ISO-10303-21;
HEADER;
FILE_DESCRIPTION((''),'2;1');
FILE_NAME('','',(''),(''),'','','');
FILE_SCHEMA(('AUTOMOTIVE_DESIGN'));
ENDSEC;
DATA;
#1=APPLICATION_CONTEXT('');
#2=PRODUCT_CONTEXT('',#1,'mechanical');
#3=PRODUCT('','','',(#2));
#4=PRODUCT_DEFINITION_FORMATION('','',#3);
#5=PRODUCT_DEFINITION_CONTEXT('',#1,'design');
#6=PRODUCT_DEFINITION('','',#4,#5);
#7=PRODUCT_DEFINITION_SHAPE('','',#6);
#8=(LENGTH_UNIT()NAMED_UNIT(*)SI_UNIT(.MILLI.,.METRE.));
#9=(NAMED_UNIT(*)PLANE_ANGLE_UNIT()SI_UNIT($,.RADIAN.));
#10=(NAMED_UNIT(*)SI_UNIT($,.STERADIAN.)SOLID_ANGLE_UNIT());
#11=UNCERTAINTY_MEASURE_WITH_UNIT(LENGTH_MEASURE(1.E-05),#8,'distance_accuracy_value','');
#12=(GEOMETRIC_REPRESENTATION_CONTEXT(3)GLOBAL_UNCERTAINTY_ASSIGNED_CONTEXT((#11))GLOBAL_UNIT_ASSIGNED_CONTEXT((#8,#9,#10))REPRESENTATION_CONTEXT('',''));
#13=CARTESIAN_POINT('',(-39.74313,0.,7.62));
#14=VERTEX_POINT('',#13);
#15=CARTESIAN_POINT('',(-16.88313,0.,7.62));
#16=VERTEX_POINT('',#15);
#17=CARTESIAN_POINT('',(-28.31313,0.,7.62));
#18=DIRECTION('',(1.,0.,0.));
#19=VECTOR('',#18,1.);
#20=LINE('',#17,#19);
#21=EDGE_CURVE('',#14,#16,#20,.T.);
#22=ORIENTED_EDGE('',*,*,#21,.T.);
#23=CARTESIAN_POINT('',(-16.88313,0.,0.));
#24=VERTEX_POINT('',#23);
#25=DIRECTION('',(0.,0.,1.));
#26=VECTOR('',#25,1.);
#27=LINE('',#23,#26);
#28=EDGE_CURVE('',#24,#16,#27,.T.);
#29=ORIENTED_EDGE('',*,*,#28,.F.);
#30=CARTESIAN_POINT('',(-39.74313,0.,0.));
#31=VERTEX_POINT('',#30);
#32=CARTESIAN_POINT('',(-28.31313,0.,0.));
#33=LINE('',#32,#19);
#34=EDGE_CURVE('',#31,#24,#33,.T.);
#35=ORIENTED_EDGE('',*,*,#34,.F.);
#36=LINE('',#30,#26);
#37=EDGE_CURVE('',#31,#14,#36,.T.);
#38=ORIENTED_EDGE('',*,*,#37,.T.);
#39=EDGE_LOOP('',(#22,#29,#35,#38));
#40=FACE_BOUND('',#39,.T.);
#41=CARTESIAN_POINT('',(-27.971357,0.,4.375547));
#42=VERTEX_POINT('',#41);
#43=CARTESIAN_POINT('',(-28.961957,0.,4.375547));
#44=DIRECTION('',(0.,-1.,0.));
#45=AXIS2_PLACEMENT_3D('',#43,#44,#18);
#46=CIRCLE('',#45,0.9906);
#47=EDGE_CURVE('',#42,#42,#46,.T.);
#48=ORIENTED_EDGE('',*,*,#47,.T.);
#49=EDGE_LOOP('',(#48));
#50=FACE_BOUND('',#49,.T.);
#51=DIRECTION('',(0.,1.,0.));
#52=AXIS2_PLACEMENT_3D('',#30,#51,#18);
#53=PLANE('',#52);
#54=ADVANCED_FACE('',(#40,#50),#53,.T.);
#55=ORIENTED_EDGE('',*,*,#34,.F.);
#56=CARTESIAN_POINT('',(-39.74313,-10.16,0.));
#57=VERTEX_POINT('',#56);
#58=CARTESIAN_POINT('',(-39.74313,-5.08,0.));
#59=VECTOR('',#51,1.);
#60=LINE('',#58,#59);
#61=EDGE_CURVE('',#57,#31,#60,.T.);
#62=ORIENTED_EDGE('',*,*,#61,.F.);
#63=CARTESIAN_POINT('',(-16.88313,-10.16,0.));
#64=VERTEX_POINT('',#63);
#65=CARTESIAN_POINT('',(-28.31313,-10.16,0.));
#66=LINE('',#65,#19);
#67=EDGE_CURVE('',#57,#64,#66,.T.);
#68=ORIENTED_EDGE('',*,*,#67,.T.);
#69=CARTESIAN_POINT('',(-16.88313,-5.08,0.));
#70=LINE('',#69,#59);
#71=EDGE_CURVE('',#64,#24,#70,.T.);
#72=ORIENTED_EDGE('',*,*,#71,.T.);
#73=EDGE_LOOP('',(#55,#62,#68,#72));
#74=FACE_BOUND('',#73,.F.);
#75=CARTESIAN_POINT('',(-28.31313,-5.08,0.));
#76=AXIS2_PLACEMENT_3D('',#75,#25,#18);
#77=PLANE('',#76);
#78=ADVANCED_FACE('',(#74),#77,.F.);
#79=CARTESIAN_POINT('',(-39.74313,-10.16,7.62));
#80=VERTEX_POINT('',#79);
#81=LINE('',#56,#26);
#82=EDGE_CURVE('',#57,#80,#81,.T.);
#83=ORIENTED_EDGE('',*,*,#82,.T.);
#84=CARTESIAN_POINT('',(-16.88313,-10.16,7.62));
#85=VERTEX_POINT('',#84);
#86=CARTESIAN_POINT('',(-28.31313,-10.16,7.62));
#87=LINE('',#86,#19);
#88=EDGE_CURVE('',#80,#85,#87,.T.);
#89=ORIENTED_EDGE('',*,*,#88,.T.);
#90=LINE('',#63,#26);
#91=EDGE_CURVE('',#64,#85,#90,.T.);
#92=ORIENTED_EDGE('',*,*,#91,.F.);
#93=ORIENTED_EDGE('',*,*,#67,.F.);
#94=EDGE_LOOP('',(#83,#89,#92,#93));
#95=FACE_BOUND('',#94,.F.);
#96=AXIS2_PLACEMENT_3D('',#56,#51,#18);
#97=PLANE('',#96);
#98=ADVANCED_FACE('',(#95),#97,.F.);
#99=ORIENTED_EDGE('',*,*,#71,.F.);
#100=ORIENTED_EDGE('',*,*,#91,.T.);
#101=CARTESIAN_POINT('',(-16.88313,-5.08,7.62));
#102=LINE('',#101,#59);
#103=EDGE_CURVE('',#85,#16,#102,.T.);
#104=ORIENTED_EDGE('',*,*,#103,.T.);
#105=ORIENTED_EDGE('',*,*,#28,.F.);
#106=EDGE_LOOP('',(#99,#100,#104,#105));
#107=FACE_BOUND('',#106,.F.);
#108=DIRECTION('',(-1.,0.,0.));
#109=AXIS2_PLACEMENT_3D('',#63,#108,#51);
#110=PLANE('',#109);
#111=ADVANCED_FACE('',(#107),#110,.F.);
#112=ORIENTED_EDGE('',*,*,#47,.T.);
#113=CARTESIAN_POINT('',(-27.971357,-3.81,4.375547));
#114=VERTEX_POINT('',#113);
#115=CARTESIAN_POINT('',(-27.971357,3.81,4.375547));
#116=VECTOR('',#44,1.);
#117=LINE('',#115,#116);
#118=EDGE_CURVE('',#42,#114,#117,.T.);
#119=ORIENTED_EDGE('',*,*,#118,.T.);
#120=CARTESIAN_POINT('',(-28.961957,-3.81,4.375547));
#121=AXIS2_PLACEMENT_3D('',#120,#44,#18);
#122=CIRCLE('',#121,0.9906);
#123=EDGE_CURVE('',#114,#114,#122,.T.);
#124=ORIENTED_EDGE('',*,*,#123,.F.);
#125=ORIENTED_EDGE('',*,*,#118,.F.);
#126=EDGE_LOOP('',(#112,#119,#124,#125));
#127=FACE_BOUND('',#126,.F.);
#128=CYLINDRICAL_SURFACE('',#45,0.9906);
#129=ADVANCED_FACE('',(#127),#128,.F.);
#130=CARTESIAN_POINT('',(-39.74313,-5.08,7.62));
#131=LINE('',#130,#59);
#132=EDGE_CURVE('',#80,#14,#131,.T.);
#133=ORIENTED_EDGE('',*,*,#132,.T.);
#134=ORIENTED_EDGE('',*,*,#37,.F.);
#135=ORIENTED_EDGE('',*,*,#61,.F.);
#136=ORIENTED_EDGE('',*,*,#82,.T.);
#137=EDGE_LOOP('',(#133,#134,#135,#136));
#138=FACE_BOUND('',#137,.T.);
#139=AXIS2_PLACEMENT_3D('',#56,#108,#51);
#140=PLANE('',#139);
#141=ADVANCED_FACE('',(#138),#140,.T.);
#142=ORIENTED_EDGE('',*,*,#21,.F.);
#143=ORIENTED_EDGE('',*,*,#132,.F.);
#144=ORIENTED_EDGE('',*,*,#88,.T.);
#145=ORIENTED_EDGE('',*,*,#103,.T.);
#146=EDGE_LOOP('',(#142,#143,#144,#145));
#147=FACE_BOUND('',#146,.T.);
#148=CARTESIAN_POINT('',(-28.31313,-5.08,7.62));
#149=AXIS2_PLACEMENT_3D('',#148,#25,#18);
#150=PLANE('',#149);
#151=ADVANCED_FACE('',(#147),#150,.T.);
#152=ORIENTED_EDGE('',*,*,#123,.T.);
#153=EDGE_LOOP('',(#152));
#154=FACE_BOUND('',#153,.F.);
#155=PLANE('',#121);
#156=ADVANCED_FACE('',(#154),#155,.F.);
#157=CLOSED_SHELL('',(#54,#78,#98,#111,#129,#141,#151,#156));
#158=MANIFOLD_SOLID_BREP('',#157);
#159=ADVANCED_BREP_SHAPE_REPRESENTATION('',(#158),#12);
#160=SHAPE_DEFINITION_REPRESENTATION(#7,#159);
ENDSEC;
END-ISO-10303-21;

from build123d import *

# Parameters (mm, degrees)
F0_W     = 22.86
F0_H     = 10.16
F1_DEPTH = 7.62
F2_R     = 0.9906
F3_DEPTH = 3.81


with BuildPart() as f1:
    # F0 (on Top) → F1 (new body)
    with BuildSketch(Plane.XY):
        with Locations((-28.31313, -5.08)):
            Rectangle(F0_W, F0_H)
    extrude(amount=F1_DEPTH)

    # F2 (on Front) → F3 (cut, symmetric)
    with BuildSketch(Plane.XZ):
        with Locations((-28.961957, 4.375547)):
            Circle(F2_R)
    extrude(amount=F3_DEPTH, both=True, mode=Mode.SUBTRACT)


solid = f1.part
